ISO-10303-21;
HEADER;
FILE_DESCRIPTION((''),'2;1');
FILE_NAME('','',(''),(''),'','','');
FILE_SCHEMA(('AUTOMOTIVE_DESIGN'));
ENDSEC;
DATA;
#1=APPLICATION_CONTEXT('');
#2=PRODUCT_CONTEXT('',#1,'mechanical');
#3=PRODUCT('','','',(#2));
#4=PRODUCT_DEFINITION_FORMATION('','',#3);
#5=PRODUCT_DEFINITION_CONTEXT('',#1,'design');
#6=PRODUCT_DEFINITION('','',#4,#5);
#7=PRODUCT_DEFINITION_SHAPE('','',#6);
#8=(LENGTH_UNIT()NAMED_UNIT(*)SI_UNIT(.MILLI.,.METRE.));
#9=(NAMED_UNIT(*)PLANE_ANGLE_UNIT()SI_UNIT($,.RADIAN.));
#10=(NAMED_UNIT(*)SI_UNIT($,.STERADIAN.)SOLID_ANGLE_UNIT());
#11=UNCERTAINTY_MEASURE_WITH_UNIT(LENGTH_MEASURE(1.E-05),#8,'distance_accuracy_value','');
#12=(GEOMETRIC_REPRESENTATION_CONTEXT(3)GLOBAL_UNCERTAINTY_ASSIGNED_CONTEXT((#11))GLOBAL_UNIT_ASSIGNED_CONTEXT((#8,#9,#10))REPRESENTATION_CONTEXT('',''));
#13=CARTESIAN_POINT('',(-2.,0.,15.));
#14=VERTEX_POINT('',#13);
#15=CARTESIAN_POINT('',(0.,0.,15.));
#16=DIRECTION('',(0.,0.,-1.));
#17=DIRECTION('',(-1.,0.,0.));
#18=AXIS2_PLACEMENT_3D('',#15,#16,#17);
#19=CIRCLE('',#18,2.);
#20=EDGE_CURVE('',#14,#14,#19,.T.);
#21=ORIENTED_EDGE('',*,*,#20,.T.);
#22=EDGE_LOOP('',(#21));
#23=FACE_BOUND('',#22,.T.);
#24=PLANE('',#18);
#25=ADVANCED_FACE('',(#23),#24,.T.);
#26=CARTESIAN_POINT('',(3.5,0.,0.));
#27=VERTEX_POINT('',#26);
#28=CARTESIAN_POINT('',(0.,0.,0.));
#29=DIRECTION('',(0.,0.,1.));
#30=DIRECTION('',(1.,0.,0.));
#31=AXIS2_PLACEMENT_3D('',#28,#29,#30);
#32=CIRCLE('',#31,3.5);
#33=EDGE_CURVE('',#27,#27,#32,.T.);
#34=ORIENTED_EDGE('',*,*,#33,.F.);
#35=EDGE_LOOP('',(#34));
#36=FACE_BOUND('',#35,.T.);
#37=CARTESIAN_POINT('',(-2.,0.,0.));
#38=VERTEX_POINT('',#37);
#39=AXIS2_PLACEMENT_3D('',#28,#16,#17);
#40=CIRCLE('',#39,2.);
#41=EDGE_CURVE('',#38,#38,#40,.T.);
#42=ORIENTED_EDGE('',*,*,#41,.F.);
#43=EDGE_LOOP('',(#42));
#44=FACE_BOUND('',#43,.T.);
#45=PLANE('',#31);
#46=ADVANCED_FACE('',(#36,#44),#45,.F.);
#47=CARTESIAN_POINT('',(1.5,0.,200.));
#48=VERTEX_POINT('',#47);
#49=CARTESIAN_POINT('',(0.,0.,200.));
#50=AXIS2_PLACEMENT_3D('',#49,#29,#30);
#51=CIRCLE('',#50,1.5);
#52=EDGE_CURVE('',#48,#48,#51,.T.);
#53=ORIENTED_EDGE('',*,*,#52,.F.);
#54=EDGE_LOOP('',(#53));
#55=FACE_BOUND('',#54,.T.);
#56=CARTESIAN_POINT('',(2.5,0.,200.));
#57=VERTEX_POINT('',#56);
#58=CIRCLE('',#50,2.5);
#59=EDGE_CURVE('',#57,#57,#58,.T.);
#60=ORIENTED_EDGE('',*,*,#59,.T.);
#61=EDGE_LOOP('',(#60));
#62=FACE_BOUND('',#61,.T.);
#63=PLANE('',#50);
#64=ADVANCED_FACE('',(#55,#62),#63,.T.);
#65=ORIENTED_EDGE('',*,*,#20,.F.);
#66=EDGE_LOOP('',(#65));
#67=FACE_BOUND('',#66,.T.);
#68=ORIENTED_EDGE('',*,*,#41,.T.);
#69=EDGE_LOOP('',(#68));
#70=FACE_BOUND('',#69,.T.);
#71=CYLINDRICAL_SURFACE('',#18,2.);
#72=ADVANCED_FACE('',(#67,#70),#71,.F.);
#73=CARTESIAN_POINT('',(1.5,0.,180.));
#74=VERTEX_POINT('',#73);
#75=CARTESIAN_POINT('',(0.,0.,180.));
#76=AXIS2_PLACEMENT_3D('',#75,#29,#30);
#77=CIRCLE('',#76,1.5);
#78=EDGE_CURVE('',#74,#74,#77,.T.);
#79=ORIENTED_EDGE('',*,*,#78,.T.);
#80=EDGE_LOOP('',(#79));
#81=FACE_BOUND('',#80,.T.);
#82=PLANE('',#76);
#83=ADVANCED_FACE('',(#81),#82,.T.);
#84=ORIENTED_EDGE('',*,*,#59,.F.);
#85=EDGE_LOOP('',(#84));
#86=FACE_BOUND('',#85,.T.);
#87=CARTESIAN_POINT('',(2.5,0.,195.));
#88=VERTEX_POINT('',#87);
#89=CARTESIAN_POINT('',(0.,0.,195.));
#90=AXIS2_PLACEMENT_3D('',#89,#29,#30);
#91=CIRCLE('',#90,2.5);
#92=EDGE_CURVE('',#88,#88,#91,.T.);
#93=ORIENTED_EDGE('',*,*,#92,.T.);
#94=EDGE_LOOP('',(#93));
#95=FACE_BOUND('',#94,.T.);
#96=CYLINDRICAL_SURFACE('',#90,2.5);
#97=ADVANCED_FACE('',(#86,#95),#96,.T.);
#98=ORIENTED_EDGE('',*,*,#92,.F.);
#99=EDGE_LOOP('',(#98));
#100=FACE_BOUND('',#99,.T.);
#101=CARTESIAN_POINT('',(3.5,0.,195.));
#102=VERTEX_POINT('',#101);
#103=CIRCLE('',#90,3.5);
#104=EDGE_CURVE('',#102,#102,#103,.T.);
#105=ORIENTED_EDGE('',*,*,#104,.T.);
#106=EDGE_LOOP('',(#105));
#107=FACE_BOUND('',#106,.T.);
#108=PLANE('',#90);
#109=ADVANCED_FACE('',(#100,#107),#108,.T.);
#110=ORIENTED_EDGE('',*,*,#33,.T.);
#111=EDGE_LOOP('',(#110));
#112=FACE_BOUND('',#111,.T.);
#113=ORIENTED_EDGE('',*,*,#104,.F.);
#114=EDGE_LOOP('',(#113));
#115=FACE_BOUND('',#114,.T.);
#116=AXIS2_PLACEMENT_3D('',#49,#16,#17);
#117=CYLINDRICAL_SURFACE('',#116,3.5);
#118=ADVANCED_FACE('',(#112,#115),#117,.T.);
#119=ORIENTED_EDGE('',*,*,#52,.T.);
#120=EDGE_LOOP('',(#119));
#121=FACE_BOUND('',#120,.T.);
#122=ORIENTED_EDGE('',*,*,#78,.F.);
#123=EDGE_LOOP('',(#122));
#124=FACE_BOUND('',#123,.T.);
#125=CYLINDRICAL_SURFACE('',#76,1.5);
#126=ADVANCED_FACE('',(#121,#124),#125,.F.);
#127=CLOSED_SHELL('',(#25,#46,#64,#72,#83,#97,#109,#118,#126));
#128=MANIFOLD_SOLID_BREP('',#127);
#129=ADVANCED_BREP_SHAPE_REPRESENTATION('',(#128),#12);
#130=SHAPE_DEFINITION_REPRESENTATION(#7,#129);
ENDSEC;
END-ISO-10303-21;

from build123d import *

# Parameters (mm, degrees)
SKETCH1_R           = 3.5
BOSS_EXTRUDE1_DEPTH = 200
SKETCH2_R           = 2
CUT_EXTRUDE1_DEPTH  = 15
CUT_EXTRUDE2_START  = -5
SKETCH3_R           = 3.5
SKETCH3_R_2         = 2.5
CUT_EXTRUDE2_DEPTH  = 5
SKETCH4_R           = 1.5
CUT_EXTRUDE3_DEPTH  = 20


with BuildPart() as part:
    # Sketch1 → Boss-Extrude1 (new body)
    with BuildSketch(Plane.XY):
        Circle(SKETCH1_R)
    extrude(amount=BOSS_EXTRUDE1_DEPTH)

    # Sketch2 → Cut-Extrude1 (cut)
    with BuildSketch(Plane(origin=(0, 0, 0), x_dir=(-1, 0, 0), z_dir=(0, 0, -1))):
        Circle(SKETCH2_R)
    extrude(amount=-CUT_EXTRUDE1_DEPTH, mode=Mode.SUBTRACT)

    # Sketch3 → Cut-Extrude2 (cut)
    with BuildSketch(Plane.XY.offset(200).offset(CUT_EXTRUDE2_START)):
        Circle(SKETCH3_R)
        Circle(SKETCH3_R_2, mode=Mode.SUBTRACT)
    extrude(amount=CUT_EXTRUDE2_DEPTH, mode=Mode.SUBTRACT)

    # Sketch4 → Cut-Extrude3 (cut)
    with BuildSketch(Plane.XY.offset(200)):
        Circle(SKETCH4_R)
    extrude(amount=-CUT_EXTRUDE3_DEPTH, mode=Mode.SUBTRACT)


solid = part.part
